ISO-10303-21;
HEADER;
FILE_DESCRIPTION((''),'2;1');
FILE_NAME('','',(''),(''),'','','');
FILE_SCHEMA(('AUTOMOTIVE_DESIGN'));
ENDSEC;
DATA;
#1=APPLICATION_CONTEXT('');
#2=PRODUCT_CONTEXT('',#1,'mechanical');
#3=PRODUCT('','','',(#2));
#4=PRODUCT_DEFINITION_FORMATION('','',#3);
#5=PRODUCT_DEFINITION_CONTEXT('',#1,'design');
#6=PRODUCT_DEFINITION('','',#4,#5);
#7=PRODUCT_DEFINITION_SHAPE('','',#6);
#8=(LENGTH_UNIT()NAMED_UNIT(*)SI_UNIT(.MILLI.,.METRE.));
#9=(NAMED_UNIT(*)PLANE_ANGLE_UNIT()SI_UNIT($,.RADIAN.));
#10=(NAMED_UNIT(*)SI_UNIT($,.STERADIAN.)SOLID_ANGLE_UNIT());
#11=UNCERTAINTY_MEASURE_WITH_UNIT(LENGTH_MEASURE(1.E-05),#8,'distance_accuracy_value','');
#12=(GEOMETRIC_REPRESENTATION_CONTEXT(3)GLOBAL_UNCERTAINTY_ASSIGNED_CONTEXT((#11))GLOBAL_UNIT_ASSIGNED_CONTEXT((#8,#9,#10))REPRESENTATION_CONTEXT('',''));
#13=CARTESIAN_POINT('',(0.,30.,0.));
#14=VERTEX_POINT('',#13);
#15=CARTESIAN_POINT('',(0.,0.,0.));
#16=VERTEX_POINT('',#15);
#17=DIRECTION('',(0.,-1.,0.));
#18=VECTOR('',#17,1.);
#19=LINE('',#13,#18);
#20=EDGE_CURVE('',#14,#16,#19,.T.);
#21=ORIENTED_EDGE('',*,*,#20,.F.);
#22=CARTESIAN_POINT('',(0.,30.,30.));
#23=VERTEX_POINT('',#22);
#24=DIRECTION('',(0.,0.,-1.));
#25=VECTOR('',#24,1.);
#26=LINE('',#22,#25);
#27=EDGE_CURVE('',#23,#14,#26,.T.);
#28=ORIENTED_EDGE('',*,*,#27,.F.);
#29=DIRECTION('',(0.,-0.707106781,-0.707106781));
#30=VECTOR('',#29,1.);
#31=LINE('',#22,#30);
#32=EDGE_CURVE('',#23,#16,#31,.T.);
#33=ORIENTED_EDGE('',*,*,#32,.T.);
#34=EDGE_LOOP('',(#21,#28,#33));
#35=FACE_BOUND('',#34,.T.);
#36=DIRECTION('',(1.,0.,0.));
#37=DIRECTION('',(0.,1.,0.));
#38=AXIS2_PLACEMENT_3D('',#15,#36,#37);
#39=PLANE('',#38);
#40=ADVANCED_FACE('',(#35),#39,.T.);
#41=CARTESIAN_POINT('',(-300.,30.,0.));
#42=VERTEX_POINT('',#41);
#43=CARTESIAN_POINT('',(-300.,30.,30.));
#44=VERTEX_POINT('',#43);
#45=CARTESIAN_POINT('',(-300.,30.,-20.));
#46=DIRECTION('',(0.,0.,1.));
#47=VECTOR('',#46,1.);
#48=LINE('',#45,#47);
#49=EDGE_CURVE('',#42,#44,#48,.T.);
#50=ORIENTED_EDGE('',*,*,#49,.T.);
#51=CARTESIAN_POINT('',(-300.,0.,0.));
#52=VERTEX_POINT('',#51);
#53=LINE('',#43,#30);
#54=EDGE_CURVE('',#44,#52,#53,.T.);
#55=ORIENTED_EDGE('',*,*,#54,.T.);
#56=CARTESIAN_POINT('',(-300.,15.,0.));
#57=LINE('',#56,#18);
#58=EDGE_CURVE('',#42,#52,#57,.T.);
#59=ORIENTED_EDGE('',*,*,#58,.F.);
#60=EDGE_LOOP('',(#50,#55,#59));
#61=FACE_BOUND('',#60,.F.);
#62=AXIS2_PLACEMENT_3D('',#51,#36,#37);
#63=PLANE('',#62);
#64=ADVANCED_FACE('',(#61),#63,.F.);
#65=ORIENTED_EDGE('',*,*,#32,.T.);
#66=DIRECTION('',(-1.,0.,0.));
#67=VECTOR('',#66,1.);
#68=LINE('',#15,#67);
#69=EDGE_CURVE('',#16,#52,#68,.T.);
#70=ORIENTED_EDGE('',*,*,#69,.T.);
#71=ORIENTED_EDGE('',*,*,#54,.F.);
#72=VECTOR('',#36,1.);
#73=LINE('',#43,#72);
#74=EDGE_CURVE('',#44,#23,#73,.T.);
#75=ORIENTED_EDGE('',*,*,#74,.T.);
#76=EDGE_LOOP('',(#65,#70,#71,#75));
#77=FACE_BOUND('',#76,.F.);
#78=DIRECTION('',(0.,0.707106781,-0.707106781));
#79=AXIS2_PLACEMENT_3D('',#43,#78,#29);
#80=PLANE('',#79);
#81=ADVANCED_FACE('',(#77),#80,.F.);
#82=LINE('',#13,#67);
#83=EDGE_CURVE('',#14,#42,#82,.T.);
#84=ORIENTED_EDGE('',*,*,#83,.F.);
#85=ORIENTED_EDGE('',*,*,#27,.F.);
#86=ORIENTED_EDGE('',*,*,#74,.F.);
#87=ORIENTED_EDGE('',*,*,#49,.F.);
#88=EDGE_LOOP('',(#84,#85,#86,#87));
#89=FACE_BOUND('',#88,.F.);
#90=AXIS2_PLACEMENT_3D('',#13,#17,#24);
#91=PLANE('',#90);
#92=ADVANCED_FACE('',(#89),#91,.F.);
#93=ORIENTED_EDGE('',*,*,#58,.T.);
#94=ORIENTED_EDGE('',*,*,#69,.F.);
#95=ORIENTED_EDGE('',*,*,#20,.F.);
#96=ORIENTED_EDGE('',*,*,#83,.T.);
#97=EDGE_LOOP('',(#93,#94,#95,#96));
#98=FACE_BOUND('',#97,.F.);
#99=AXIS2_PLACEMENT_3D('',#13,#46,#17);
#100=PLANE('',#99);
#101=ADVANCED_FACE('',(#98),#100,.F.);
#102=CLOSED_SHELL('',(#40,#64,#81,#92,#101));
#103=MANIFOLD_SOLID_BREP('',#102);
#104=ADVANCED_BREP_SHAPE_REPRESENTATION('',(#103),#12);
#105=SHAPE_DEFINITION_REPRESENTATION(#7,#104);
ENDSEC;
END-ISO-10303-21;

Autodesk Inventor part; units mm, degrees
ref_plane "YZ Plane" through (0, 0, 0) normal (1, 0, 0) x (0, 1, 0)
ref_plane "XZ Plane" through (0, 0, 0) normal (0, 1, 0) x (-1, 0, 0)
ref_plane "XY Plane" through (0, 0, 0) normal (0, 0, 1) x (1, 0, 0)
sketch "Sketch1" plane through (0, 0, 0) normal (1, 0, 0) x (0, 1, 0)
  line L0 (0, 0) -> (30, 0)
  line L1 (30, 0) -> (30, -20)
  line L2 (30, -20) -> (0, -20)
  line L3 (0, -20) -> (0, 0)
  dimension "d0" = 20
  dimension "d1" = 30
extrude "Extrusion1" add sketch "Sketch1" against normal blind 300
sketch "Sketch3" plane through (0, 0, 0) normal (1, 0, 0) x (0, 0, -1)
  line L0 (0, 0) -> (0, 30) projected
  line L1 (0, 0) -> (0, 30)
  line L2 (0, 30) -> (-30, 30)
  line L3 (-30, 30) -> (0, 0)
  dimension "d4" = 30
  dimension "d5" = 45
extrude "Extrusion2" add sketch "Sketch3" along normal blind 300 from surface at -300
sketch "Sketch4" plane through (0, 0, 0) normal (1, 0, 0) x (0, 0, -1)
  line L0 (0, 0) -> (20, 0)
  line L1 (20, 0) -> (20, 30)
  line L2 (20, 30) -> (0, 30)
  line L3 (0, 30) -> (0, 0)
extrude "Extrusion3" cut sketch "Sketch4" against normal through all
properties part number "cale_monnayeur"
